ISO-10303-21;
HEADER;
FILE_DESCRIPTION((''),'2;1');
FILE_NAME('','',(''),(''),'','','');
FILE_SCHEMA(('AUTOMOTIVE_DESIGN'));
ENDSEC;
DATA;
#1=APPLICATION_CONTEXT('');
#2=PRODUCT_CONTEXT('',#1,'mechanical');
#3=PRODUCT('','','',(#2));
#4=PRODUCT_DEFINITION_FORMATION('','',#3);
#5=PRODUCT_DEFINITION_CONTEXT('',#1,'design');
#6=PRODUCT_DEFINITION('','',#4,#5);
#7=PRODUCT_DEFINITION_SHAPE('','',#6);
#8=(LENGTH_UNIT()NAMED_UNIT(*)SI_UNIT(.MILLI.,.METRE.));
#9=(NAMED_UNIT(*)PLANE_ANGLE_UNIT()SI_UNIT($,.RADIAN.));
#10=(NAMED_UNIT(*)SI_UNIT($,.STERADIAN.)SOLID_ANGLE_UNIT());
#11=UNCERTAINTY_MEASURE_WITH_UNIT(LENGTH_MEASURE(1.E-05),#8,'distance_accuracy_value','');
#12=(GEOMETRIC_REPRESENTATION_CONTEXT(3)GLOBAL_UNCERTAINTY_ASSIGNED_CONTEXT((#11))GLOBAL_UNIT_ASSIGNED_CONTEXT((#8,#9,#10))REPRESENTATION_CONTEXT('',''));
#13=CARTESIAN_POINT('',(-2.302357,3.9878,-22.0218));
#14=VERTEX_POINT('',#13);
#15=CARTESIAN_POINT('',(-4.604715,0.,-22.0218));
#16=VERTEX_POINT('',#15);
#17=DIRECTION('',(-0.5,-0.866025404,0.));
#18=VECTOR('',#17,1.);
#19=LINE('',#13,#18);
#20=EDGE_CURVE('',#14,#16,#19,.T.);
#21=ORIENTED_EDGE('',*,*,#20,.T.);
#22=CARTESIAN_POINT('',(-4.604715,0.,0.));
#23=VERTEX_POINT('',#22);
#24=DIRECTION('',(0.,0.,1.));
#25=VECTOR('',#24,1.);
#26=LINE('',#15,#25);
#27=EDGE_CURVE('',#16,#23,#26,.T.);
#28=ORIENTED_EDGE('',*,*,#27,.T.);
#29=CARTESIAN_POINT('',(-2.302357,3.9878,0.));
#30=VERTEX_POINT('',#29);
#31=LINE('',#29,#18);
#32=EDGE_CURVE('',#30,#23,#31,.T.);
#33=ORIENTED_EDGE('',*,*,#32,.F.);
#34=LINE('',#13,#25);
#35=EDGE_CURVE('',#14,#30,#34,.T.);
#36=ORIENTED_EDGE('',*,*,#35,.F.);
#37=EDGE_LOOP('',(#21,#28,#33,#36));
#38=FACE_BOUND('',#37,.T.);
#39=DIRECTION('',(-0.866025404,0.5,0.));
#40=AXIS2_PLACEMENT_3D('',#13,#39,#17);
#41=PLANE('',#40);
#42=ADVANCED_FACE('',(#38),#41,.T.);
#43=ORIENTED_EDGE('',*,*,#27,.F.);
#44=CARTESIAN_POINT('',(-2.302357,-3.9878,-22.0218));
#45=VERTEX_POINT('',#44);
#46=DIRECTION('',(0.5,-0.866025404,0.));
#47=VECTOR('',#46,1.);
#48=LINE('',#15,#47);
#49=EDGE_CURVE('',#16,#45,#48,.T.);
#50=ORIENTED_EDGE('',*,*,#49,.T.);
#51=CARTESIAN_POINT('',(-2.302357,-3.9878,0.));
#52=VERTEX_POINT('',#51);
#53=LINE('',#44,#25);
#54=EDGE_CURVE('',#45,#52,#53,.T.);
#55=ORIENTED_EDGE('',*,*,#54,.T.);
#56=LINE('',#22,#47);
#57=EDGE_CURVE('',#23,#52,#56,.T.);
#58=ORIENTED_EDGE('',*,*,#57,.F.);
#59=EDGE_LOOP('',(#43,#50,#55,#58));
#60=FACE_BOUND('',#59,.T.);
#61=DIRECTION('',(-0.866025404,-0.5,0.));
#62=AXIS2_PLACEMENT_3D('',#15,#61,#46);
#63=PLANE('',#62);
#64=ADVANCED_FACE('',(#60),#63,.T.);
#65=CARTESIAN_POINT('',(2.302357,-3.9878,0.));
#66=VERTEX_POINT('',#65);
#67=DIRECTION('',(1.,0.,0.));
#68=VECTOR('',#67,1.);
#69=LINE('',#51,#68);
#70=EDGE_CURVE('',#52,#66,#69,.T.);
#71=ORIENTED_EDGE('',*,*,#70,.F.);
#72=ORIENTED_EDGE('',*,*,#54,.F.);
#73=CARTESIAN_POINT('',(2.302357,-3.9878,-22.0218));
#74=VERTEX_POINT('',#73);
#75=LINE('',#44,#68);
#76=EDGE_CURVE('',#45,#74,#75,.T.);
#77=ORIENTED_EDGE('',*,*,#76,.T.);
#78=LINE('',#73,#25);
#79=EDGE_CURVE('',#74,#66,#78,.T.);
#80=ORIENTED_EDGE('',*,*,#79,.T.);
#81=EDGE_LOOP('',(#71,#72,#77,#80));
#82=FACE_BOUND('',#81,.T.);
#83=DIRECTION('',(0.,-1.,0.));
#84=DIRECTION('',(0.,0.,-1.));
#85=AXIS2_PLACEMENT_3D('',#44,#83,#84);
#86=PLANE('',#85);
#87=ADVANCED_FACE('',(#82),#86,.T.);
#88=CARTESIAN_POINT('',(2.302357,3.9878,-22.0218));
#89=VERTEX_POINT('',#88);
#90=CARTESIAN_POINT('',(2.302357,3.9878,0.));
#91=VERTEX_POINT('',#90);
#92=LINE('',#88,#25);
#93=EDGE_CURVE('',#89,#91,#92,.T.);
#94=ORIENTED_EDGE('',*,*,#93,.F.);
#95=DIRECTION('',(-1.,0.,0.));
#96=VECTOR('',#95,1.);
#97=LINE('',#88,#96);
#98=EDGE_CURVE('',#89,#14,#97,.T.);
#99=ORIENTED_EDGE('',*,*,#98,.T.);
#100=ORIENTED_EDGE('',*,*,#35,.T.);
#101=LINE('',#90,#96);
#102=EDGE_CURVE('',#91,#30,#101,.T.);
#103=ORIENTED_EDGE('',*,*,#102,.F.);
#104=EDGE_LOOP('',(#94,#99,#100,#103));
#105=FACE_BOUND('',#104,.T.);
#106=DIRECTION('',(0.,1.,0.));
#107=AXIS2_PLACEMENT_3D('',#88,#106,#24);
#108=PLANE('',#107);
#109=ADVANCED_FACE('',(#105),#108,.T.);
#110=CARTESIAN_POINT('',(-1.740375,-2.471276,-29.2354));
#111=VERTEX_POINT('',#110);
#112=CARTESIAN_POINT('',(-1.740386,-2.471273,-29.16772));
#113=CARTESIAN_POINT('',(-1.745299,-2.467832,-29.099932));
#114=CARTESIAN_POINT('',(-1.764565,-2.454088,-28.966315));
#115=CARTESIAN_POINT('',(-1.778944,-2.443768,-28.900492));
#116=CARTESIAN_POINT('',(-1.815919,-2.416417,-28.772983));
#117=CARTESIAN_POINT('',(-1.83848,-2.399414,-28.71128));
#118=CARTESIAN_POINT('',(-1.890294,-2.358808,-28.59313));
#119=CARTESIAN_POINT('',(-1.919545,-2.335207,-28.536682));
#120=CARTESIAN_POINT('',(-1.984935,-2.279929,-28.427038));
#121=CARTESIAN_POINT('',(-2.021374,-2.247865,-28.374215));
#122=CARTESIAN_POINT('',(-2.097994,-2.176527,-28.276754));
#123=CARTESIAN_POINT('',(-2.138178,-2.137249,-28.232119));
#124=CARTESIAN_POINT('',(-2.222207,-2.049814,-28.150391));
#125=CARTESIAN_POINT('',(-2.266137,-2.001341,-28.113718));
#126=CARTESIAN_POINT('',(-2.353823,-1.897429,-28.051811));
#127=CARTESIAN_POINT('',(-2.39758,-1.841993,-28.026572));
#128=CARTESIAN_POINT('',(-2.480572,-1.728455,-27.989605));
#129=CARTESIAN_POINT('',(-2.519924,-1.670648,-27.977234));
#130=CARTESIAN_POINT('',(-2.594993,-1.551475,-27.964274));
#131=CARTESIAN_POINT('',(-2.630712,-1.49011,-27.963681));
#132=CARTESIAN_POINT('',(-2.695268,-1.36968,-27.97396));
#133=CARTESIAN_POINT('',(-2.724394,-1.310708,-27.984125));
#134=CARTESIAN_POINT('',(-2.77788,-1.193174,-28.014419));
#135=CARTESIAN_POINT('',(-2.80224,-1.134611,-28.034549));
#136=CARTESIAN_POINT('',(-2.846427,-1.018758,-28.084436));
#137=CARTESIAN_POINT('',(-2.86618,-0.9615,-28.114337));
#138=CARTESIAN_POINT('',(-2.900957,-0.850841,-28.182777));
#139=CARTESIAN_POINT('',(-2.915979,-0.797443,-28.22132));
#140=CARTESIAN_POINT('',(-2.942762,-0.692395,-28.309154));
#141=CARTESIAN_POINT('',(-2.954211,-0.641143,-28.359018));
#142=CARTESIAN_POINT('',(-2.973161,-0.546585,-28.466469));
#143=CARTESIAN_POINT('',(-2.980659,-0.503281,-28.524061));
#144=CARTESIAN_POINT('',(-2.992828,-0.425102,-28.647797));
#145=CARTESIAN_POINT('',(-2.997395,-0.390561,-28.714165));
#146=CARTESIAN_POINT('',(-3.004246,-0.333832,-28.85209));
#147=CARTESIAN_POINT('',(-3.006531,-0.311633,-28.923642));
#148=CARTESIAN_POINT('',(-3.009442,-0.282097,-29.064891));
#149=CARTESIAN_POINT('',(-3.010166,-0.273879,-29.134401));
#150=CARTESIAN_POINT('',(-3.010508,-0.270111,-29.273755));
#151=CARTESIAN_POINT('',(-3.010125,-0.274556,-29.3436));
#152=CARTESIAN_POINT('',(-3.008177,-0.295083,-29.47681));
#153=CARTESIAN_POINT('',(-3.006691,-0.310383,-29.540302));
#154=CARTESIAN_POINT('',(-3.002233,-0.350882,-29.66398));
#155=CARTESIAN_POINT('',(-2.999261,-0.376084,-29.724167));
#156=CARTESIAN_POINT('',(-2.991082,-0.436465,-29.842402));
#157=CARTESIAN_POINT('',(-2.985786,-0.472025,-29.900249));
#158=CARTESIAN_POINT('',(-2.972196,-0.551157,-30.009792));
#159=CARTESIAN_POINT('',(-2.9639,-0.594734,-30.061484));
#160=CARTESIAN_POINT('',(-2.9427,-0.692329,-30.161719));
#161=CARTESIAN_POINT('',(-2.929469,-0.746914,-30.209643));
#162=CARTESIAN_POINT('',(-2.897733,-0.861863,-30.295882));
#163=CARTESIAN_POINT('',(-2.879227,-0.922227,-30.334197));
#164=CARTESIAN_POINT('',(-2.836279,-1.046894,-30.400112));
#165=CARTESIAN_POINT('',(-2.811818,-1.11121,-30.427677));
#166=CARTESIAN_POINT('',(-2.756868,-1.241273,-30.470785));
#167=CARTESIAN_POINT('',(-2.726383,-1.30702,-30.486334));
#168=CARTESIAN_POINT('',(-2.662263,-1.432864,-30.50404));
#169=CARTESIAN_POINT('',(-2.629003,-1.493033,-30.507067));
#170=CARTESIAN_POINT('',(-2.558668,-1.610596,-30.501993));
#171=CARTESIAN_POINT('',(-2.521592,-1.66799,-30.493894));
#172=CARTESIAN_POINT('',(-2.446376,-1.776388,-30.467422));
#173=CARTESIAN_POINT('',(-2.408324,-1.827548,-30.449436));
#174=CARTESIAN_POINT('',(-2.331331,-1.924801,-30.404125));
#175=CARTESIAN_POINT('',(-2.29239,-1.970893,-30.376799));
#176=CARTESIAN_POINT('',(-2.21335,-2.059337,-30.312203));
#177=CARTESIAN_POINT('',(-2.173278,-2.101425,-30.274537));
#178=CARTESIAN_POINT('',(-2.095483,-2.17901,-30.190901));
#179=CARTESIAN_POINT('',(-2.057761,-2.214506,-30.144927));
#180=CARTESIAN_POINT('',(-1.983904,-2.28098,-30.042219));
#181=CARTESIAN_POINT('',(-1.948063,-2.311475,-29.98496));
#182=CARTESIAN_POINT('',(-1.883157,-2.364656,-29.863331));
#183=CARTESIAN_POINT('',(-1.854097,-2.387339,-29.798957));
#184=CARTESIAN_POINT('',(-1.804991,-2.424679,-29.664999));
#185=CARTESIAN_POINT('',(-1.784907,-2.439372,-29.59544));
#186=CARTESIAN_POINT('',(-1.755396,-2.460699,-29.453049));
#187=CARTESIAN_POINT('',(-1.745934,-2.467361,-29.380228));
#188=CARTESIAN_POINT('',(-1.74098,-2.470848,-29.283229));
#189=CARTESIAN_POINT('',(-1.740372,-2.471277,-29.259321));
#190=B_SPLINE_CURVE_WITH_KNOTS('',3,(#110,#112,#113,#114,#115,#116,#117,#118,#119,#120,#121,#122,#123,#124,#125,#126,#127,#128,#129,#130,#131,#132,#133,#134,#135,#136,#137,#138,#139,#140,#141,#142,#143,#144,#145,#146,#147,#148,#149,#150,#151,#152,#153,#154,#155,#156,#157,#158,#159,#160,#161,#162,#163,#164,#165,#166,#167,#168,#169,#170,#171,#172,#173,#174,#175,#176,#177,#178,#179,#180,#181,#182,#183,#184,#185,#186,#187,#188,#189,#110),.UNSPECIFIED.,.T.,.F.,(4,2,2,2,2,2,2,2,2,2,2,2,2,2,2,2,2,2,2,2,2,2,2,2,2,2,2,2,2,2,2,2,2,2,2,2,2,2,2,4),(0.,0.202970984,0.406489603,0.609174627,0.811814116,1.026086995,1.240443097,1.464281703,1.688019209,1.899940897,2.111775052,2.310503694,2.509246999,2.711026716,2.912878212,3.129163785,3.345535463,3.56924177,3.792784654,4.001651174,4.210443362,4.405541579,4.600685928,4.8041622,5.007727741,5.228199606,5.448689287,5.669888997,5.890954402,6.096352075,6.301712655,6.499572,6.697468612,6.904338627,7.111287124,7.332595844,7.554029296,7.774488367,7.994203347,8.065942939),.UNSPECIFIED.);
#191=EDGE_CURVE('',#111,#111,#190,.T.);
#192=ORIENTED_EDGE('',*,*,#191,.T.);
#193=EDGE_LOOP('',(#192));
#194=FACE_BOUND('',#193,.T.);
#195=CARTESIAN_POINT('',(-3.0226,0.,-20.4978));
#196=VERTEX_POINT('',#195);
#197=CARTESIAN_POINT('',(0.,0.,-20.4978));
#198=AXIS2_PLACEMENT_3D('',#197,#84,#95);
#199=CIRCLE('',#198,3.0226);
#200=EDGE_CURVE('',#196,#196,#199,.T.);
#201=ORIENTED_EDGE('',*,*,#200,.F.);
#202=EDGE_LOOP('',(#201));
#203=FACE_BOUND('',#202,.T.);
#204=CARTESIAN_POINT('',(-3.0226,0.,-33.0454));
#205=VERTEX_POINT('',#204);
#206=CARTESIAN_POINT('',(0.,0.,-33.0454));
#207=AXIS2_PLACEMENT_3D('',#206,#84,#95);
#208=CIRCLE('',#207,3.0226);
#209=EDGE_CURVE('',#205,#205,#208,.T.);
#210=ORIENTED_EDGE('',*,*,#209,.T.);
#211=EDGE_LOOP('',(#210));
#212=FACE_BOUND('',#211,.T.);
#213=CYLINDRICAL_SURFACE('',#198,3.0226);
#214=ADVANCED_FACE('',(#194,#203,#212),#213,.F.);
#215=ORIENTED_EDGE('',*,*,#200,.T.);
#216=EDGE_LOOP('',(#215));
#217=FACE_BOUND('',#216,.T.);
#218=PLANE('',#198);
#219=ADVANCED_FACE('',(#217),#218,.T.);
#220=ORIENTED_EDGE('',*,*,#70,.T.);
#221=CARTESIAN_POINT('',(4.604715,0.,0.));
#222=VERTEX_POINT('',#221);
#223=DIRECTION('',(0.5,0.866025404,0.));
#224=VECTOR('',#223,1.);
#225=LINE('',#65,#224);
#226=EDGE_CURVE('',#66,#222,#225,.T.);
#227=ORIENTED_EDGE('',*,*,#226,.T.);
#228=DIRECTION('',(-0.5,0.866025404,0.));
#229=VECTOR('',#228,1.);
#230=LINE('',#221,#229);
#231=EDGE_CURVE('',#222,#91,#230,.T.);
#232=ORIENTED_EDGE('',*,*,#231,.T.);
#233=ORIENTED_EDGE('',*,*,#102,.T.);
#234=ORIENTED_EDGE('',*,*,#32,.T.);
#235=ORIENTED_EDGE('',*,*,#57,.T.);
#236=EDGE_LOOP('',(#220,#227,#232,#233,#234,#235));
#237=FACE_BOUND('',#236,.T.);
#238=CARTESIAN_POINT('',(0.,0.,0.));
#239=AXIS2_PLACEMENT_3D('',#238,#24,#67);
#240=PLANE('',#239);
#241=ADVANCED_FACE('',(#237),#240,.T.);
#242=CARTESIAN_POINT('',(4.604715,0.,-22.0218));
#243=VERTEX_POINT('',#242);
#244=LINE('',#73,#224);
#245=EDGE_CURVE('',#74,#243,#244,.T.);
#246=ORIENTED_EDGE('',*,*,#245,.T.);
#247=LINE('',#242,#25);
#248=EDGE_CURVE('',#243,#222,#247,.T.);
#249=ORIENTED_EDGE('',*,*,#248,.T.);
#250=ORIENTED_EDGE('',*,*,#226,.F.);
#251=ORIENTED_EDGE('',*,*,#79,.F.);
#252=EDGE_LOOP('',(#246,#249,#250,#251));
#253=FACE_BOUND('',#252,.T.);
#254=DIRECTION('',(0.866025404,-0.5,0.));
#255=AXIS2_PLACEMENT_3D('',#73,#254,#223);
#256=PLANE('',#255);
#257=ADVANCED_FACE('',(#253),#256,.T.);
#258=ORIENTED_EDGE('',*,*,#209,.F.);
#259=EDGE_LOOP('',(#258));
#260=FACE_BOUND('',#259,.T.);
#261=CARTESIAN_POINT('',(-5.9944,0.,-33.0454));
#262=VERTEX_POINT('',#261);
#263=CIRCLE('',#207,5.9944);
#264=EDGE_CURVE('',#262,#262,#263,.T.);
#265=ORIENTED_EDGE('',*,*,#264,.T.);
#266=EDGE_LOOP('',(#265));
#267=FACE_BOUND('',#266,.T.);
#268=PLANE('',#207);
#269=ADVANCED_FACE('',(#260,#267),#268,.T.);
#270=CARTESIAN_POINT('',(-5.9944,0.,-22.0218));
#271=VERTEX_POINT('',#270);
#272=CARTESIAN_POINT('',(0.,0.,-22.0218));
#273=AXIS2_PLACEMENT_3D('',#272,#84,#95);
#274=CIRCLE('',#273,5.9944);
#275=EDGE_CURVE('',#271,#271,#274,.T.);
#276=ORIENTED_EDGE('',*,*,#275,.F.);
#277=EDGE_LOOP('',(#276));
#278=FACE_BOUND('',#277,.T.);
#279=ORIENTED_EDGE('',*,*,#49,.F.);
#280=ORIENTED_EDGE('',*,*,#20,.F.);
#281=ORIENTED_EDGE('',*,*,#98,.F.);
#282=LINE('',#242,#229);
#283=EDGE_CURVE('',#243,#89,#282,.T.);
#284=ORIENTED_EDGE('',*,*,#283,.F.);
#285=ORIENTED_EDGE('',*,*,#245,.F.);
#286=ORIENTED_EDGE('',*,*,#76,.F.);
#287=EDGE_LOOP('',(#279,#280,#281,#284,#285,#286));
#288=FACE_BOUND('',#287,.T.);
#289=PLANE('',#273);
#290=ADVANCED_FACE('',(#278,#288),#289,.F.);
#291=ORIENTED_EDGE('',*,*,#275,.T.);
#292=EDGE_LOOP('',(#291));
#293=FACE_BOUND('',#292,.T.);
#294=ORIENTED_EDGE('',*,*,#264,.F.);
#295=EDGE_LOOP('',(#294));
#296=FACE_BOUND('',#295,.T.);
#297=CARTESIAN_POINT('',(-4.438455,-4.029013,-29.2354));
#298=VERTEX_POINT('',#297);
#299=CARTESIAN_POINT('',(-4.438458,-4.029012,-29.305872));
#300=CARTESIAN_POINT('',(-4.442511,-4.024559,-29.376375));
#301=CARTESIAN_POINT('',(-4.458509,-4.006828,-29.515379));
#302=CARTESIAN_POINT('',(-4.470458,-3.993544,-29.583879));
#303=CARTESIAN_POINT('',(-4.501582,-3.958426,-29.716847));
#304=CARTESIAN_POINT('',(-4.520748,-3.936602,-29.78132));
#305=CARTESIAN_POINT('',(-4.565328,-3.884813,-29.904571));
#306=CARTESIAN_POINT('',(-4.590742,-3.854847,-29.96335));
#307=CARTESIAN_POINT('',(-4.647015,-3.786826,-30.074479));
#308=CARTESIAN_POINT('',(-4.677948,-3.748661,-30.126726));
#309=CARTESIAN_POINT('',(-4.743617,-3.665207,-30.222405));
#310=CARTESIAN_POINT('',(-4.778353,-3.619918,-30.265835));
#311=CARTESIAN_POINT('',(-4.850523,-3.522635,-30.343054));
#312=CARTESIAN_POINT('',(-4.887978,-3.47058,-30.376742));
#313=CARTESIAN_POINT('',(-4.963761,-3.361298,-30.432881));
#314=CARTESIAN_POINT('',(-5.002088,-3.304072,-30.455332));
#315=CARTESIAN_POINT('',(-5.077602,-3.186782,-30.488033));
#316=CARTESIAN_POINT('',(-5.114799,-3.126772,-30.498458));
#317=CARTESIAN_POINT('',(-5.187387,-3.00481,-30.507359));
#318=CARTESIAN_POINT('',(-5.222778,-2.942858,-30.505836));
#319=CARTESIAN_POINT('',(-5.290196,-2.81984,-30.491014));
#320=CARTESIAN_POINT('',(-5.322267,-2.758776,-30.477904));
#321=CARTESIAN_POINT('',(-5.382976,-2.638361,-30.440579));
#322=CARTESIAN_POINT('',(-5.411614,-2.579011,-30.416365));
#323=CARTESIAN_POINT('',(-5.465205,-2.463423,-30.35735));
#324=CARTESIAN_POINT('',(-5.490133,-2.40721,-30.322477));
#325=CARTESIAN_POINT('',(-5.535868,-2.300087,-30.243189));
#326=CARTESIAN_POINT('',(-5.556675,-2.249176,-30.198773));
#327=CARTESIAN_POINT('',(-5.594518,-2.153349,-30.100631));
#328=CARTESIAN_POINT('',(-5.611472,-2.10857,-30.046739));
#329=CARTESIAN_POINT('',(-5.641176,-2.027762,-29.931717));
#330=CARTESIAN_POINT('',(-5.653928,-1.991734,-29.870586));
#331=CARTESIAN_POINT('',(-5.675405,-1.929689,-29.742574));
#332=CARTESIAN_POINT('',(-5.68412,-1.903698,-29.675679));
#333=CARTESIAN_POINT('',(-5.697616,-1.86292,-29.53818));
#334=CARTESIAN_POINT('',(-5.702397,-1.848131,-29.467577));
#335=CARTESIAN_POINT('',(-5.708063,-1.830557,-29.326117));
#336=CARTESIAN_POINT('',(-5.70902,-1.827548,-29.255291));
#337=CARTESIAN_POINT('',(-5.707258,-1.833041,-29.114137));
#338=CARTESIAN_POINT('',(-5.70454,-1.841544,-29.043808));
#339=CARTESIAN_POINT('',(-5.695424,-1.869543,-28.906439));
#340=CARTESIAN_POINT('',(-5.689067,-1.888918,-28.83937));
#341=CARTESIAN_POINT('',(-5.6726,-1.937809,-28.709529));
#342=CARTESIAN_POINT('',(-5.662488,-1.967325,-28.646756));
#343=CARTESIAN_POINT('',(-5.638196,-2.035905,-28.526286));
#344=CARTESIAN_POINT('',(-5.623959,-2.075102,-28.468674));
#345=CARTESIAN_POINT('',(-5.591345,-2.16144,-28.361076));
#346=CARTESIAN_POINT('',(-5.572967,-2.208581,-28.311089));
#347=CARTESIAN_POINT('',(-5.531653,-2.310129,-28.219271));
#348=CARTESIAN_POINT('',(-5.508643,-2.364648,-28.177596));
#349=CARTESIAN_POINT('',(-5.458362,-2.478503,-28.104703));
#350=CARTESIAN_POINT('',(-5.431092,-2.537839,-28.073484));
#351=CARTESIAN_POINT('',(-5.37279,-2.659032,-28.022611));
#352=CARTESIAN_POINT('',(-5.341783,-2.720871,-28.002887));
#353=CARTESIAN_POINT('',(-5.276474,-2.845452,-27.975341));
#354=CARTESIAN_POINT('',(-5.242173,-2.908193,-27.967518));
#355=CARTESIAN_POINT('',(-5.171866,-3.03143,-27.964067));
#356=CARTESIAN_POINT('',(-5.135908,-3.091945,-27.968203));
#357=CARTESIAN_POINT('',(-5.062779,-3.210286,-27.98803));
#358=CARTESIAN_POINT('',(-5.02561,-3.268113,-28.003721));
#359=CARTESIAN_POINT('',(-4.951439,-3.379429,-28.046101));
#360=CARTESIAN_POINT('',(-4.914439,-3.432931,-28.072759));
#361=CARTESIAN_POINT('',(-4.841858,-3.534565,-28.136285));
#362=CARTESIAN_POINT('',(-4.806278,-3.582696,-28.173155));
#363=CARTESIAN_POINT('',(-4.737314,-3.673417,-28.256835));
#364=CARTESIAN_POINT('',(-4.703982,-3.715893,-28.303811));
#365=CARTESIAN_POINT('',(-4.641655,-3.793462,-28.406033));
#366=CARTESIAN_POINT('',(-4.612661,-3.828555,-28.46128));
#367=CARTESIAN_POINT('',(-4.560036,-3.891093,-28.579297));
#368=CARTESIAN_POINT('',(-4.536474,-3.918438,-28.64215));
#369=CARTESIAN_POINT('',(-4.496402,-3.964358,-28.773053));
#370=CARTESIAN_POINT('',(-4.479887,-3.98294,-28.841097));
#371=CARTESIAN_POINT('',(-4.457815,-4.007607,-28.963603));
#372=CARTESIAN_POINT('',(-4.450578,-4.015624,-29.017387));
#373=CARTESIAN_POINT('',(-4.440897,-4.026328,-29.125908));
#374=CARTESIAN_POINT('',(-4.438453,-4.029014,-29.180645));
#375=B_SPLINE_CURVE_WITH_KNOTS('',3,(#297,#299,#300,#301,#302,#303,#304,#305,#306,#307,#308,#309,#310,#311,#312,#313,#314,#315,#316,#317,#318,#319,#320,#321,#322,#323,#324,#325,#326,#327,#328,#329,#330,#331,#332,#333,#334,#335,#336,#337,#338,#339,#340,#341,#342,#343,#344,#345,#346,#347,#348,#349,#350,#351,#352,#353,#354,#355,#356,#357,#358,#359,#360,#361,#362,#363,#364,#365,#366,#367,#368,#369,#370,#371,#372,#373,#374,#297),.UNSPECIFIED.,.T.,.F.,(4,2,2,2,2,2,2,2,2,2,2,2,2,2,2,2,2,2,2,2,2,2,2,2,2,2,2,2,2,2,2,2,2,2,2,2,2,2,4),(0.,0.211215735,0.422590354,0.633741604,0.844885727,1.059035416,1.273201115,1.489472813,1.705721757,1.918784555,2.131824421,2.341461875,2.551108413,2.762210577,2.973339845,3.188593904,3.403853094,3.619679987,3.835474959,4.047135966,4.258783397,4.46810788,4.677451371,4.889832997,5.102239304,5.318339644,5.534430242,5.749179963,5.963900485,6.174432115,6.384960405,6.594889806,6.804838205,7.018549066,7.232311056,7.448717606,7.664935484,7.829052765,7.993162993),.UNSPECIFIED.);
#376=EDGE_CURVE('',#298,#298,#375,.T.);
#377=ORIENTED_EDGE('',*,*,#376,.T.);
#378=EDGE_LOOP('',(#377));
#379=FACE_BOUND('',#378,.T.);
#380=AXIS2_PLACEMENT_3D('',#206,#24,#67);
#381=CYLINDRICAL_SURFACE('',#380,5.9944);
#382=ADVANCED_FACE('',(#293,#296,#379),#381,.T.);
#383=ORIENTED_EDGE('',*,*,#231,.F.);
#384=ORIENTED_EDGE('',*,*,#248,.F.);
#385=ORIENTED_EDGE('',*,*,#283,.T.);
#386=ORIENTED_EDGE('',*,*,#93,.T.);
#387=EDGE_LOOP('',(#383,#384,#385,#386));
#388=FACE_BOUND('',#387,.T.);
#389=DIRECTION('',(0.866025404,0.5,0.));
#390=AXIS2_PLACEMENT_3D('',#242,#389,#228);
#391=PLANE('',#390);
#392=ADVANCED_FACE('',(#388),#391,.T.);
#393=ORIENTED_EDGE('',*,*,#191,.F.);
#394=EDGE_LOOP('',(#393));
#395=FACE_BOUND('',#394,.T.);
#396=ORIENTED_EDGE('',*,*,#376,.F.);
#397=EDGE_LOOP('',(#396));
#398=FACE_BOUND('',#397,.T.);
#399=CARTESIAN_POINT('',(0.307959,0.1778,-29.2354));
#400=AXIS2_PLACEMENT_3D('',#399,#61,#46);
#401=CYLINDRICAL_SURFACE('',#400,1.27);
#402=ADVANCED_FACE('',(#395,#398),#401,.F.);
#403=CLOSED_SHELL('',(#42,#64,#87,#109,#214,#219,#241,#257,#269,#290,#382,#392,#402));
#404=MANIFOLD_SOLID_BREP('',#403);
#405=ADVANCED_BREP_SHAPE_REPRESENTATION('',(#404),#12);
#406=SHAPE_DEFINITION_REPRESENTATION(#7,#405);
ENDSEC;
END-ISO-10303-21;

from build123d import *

# Parameters (mm, degrees)
BOSS_EXTRUDE1_DEPTH = 22.0218
SKETCH3_R           = 5.9944
BOSS_EXTRUDE2_DEPTH = 11.0236
SKETCH4_R           = 3.0226
CUT_EXTRUDE1_DEPTH  = 12.5476
SKETCH5_R           = 1.27
CUT_EXTRUDE2_DEPTH  = 6.35


with BuildPart() as part:
    # Sketch1 → Boss-Extrude1 (new body)
    with BuildSketch(Plane.XY):
        Polygon((2.302357403, 3.9878), (-2.302357403, 3.9878), (-4.604714807, 0), (-2.302357403, -3.9878), (2.302357403, -3.9878), (4.604714807, 0), align=None)
    extrude(amount=-BOSS_EXTRUDE1_DEPTH)

    # Sketch3 → Boss-Extrude2 (add)
    with BuildSketch(Plane(origin=(0, 0, -22.0218), x_dir=(-1, 0, 0), z_dir=(0, 0, -1))):
        Circle(SKETCH3_R)
    extrude(amount=BOSS_EXTRUDE2_DEPTH)

    # Sketch4 → Cut-Extrude1 (cut)
    with BuildSketch(Plane(origin=(0, 0, -33.0454), x_dir=(-1, 0, 0), z_dir=(0, 0, -1))):
        Circle(SKETCH4_R)
    extrude(amount=-CUT_EXTRUDE1_DEPTH, mode=Mode.SUBTRACT)

    # Sketch5 → Cut-Extrude2 (cut)
    with BuildSketch(Plane(origin=(-5.19130268, -2.9972, 0), x_dir=(0, 0, 1), z_dir=(-0.8660254037844376, -0.500000000000002, 0))):
        with Locations(Location((-29.2354, 0, 0), (0, 0, 270))):
            Circle(SKETCH5_R)
    extrude(amount=-CUT_EXTRUDE2_DEPTH, mode=Mode.SUBTRACT)


solid = part.part
